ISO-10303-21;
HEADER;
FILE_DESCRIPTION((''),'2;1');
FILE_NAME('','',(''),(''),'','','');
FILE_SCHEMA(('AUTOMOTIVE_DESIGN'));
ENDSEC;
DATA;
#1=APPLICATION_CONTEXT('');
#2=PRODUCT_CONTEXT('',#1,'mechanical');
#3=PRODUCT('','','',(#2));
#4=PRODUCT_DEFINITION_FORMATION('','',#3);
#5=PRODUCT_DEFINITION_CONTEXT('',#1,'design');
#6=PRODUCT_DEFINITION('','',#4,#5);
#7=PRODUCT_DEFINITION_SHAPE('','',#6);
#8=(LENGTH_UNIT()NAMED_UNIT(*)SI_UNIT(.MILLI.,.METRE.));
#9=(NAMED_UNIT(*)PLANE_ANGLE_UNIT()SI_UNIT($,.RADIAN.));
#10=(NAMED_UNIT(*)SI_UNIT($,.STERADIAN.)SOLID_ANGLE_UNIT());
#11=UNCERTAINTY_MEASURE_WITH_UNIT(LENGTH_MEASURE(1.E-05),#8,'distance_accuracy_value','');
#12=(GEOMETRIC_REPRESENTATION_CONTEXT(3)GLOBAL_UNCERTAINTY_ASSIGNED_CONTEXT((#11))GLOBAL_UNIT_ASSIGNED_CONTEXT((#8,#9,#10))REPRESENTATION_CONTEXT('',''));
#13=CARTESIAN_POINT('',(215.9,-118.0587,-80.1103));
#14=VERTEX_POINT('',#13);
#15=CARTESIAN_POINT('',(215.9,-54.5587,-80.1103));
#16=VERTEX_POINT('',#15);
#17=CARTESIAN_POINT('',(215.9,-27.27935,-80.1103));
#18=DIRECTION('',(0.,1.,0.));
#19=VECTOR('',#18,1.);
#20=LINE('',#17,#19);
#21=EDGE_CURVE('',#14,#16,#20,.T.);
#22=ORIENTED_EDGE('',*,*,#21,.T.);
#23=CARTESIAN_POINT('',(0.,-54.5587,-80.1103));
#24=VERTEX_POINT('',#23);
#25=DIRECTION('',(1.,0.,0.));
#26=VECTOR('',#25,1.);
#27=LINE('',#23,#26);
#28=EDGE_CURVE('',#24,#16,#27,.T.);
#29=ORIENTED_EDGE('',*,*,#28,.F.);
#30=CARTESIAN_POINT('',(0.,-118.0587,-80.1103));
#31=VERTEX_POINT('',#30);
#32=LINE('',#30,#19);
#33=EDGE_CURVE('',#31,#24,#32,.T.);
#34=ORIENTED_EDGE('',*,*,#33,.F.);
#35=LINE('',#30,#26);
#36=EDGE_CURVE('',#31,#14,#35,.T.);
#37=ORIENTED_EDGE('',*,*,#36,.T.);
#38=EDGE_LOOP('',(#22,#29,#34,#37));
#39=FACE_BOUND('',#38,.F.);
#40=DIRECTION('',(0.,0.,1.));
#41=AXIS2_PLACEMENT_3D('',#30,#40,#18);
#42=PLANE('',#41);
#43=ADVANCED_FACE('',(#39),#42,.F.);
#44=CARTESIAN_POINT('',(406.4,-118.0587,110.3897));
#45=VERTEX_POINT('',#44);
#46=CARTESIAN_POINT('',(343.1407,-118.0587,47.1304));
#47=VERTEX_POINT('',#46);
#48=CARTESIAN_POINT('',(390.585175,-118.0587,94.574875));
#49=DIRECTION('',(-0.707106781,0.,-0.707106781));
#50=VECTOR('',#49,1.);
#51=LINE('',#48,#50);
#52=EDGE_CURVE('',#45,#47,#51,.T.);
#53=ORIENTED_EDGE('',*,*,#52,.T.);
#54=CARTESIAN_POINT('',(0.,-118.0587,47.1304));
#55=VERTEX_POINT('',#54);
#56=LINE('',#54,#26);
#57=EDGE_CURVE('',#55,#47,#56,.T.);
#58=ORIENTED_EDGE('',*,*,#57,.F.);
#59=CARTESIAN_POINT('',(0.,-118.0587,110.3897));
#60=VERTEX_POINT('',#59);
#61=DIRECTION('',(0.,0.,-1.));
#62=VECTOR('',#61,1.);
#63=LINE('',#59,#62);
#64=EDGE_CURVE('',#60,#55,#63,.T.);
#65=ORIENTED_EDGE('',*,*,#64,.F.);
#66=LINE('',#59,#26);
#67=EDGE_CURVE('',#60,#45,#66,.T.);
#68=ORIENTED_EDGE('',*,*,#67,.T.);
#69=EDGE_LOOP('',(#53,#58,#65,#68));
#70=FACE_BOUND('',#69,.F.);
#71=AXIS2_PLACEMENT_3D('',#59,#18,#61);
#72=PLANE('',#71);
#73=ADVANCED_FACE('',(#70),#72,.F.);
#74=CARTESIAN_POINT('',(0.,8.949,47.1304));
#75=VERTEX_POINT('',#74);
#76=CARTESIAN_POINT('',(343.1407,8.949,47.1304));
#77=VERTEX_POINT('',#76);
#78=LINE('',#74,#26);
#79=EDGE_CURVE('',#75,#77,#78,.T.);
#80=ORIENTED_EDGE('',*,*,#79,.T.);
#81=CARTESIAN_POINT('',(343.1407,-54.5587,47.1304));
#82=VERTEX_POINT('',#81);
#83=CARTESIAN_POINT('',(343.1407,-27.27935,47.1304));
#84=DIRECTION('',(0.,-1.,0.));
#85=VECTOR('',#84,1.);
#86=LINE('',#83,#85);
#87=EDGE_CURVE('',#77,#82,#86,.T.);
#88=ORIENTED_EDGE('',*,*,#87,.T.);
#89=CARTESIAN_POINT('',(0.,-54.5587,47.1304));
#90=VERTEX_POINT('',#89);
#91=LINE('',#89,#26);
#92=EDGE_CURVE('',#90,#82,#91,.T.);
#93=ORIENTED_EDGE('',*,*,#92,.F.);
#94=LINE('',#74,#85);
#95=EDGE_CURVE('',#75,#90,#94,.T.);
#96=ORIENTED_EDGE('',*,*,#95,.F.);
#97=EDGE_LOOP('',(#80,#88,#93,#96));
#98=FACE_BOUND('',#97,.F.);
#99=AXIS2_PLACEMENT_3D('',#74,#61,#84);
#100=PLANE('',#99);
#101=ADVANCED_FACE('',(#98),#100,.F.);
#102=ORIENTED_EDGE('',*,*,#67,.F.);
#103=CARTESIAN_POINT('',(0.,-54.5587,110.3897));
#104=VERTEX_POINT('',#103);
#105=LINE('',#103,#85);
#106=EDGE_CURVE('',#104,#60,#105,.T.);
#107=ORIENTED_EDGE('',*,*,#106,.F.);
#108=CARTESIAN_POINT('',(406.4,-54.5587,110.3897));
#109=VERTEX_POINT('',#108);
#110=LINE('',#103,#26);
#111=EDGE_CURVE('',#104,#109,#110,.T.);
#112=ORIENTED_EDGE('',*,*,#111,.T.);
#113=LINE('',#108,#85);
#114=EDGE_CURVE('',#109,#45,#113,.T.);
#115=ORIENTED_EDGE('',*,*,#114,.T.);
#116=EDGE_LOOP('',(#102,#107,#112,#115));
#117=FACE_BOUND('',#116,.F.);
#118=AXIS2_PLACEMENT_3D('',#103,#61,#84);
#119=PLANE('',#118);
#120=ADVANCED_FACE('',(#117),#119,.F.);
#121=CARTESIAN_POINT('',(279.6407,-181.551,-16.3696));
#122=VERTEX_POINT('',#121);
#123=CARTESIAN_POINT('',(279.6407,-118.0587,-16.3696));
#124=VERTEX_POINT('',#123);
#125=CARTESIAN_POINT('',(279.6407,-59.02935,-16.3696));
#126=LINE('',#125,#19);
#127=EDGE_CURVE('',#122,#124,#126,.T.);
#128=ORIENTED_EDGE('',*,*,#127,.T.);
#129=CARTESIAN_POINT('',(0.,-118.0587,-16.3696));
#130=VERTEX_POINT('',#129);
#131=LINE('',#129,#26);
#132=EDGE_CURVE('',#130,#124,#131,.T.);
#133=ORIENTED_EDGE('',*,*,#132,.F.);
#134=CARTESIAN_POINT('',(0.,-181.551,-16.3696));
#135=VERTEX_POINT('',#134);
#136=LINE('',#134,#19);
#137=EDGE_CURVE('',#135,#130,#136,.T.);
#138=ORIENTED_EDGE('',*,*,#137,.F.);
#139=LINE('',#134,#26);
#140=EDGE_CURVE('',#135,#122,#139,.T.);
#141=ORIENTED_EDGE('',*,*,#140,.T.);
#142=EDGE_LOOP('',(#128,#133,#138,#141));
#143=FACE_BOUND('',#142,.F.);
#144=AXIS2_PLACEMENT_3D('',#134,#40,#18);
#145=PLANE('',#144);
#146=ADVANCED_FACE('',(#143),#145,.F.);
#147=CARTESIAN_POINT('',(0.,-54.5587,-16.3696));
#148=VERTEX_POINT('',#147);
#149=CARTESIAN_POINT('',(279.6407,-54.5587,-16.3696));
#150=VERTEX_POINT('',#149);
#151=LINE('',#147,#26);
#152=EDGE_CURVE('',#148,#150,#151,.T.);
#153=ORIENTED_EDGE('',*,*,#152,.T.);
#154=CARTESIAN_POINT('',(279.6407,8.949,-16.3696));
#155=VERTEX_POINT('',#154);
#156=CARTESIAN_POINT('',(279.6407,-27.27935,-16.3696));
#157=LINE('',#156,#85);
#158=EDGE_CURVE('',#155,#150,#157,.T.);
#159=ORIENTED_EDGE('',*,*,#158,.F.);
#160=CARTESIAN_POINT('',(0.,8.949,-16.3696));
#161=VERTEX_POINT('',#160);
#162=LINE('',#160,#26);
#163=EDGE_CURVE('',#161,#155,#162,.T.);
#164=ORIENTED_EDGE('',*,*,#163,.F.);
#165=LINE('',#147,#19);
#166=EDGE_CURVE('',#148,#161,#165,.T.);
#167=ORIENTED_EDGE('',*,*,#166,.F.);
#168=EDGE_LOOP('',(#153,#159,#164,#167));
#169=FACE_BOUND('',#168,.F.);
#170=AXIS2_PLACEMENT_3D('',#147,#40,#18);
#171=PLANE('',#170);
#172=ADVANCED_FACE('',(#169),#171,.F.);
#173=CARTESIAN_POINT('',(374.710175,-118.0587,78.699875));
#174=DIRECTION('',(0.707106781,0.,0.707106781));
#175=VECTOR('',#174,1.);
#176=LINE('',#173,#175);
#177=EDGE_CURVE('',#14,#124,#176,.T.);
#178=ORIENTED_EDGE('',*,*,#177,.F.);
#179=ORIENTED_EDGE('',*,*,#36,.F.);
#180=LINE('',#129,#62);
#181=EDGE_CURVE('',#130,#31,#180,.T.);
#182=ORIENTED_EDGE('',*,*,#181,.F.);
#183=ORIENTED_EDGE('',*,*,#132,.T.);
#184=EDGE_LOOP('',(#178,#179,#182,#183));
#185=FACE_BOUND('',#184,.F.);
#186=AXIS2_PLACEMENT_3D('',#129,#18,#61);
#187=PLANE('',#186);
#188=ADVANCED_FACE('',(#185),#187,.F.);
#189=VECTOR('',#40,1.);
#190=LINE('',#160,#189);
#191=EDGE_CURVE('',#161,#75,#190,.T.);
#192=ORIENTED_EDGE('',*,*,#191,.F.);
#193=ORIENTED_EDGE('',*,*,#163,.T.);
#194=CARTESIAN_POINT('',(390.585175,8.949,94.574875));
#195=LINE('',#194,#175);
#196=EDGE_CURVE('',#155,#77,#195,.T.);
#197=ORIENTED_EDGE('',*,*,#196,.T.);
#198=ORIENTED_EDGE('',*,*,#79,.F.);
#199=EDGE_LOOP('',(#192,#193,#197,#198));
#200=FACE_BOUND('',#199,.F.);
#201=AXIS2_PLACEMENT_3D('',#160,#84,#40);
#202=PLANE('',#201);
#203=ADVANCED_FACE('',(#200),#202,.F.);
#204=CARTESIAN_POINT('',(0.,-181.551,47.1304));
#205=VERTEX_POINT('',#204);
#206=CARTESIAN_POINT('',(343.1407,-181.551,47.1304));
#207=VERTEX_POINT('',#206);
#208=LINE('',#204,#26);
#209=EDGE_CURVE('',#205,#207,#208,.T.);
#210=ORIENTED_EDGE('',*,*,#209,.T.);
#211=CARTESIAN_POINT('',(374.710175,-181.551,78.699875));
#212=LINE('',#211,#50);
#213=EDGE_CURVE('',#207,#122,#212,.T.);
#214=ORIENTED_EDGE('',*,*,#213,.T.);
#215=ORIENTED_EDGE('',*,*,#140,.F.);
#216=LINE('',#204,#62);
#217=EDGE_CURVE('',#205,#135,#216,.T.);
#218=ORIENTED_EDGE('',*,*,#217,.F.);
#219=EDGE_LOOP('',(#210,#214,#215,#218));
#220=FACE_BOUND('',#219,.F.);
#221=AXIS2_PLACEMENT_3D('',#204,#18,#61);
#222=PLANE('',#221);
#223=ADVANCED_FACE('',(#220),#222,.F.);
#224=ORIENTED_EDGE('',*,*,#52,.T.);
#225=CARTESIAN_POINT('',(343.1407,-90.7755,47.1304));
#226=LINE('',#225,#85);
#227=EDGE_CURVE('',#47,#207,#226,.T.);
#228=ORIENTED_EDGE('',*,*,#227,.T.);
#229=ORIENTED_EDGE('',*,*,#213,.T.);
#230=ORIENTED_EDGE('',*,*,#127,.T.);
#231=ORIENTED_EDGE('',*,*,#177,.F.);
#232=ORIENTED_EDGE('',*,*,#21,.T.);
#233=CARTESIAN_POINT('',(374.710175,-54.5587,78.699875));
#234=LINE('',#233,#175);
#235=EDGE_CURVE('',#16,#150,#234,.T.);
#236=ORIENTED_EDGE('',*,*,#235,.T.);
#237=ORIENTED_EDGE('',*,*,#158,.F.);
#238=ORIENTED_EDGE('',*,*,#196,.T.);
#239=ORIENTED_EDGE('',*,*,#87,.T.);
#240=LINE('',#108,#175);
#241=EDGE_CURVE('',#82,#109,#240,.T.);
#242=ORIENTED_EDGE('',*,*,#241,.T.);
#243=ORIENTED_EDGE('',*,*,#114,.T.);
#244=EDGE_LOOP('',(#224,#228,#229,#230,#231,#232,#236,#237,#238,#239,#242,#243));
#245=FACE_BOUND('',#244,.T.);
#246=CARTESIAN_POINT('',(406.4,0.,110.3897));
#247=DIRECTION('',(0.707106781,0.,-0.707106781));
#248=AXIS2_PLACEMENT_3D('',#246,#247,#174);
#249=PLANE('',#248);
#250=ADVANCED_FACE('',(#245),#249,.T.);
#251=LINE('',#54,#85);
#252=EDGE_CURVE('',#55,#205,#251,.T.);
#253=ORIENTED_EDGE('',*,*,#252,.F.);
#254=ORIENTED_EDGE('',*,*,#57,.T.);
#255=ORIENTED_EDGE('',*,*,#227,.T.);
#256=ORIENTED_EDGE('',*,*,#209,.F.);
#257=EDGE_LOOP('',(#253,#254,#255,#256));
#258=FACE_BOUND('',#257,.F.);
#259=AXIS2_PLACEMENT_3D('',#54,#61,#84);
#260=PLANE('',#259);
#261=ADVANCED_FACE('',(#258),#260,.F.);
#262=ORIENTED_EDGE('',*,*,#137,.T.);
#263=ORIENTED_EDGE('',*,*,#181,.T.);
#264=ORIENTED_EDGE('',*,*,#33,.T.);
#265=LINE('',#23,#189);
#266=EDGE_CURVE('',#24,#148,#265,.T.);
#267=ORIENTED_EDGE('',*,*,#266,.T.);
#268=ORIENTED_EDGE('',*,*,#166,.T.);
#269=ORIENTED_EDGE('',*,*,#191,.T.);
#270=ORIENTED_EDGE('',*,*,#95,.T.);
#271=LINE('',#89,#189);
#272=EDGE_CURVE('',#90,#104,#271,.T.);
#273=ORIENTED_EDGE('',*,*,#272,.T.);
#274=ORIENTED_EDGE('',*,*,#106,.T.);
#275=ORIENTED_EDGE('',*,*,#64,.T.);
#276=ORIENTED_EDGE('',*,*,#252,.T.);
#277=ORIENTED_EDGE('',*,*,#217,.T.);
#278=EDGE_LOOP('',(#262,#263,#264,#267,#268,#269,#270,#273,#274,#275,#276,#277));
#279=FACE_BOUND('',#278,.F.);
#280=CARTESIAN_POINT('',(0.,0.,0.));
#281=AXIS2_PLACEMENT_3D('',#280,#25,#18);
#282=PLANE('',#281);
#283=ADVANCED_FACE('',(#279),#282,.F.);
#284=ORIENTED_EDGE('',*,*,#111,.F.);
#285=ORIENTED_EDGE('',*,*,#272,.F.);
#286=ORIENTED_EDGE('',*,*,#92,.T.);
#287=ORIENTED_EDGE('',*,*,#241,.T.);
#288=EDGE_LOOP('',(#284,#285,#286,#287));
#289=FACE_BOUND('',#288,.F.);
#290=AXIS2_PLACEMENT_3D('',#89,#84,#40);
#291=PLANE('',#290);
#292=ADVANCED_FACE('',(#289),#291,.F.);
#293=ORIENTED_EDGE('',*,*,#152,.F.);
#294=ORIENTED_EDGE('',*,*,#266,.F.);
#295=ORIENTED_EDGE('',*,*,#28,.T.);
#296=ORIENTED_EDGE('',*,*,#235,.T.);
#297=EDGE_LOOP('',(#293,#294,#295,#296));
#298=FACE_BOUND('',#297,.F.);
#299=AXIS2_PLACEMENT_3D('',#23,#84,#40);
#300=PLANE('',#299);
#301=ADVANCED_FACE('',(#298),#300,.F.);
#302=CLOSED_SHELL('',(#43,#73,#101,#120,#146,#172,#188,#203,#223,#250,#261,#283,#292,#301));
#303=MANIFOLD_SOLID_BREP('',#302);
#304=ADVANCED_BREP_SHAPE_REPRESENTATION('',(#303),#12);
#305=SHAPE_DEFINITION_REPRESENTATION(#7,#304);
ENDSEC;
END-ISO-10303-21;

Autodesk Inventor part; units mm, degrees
ref_plane "YZ Plane" through (0, 0, 0) normal (1, 0, 0) x (0, 1, 0)
ref_plane "XZ Plane" through (0, 0, 0) normal (0, 1, 0) x (-1, 0, 0)
sketch "Sketch1" plane through (0, 0, 0) normal (1, 0, 0) x (0, 1, 0)
  line L0 (-181.551, 47.1304) -> (-181.551, -16.3696)
  line L1 (8.949, -16.3696) -> (8.949, 47.1304)
  line L2 (-54.5587, 110.3897) -> (-118.0587, 110.3897)
  line L3 (-118.0587, -80.1103) -> (-54.5587, -80.1103)
  line L4 (8.949, 47.1304) -> (-54.5587, 47.1304)
  line L5 (-118.0587, 47.1304) -> (-181.551, 47.1304)
  line L6 (-54.5587, -80.1103) -> (-54.5587, -16.3696)
  line L7 (-54.5587, 47.1304) -> (-54.5587, 110.3897)
  line L8 (-181.551, -16.3696) -> (-118.0587, -16.3696)
  line L9 (-54.5587, -16.3696) -> (8.949, -16.3696)
  line L10 (-118.0587, 110.3897) -> (-118.0587, 47.1304)
  line L11 (-118.0587, -16.3696) -> (-118.0587, -80.1103)
  point P0 (0, 0)
  dimension "d0" = 190.5
  dimension "d1" = 63.5
  dimension "d3" = 63.5
  dimension "d4" = 190.5
extrude "Extrusion1" add sketch "Sketch1" along normal blind 406.4
ref_plane "Work Plane1" through (406.4, 0, 110.3897) normal (0.7071, 0, -0.7071) x (0, 1, 0)
sketch "Sketch2" plane through (406.4, 0, 0) normal (1, 0, 0) x (0, 0, -1)
  line L0 (-47.1304, 8.949) -> (16.3696, 8.949) projected
  line L1 (-48.288, 8.949) -> (16.3696, 8.949)
  line L2 (16.3696, -54.5587) -> (16.3696, 8.949) projected
  line L3 (16.3696, 8.949) -> (16.3696, -54.5587)
  line L4 (16.3696, -54.5587) -> (80.1103, -54.5587)
  line L5 (16.3696, -118.0587) -> (80.1103, -118.0587) projected
  line L6 (80.1103, -54.5587) -> (80.1103, -118.0587)
  line L7 (80.1103, -118.0587) -> (16.3696, -118.0587)
  line L8 (16.3696, -181.551) -> (-47.1304, -181.551) projected
  line L9 (16.3696, -118.0587) -> (16.3696, -181.551)
  line L10 (16.3696, -181.551) -> (-47.1304, -181.551)
  line L11 (-47.1304, -181.551) -> (-47.1304, -118.0587) projected
  line L12 (-47.1304, -181.551) -> (-47.1304, -118.0587)
  line L13 (-47.1304, -118.0587) -> (-110.3897, -118.0587) projected
  line L14 (-47.1304, -118.0587) -> (-110.3897, -118.0587)
  line L15 (-110.3897, -118.0587) -> (-110.3897, -54.5587)
  line L16 (-110.3897, -54.5587) -> (-47.1304, -54.5587)
  line L17 (-47.1304, -54.5587) -> (-47.1304, 8.949) projected
  line L18 (-47.1304, -54.5587) -> (-47.1304, 8.949)
  line L19 (-47.1304, -54.5587) -> (-47.1304, 8.949)
  point P0 (0, 0)
extrude "Extrusion2" cut sketch "Sketch2" against normal up to surface surface through (406.4, 0, 110.3897) normal (0.7071, 0, -0.7071)
properties part number "8.3 part 1"
